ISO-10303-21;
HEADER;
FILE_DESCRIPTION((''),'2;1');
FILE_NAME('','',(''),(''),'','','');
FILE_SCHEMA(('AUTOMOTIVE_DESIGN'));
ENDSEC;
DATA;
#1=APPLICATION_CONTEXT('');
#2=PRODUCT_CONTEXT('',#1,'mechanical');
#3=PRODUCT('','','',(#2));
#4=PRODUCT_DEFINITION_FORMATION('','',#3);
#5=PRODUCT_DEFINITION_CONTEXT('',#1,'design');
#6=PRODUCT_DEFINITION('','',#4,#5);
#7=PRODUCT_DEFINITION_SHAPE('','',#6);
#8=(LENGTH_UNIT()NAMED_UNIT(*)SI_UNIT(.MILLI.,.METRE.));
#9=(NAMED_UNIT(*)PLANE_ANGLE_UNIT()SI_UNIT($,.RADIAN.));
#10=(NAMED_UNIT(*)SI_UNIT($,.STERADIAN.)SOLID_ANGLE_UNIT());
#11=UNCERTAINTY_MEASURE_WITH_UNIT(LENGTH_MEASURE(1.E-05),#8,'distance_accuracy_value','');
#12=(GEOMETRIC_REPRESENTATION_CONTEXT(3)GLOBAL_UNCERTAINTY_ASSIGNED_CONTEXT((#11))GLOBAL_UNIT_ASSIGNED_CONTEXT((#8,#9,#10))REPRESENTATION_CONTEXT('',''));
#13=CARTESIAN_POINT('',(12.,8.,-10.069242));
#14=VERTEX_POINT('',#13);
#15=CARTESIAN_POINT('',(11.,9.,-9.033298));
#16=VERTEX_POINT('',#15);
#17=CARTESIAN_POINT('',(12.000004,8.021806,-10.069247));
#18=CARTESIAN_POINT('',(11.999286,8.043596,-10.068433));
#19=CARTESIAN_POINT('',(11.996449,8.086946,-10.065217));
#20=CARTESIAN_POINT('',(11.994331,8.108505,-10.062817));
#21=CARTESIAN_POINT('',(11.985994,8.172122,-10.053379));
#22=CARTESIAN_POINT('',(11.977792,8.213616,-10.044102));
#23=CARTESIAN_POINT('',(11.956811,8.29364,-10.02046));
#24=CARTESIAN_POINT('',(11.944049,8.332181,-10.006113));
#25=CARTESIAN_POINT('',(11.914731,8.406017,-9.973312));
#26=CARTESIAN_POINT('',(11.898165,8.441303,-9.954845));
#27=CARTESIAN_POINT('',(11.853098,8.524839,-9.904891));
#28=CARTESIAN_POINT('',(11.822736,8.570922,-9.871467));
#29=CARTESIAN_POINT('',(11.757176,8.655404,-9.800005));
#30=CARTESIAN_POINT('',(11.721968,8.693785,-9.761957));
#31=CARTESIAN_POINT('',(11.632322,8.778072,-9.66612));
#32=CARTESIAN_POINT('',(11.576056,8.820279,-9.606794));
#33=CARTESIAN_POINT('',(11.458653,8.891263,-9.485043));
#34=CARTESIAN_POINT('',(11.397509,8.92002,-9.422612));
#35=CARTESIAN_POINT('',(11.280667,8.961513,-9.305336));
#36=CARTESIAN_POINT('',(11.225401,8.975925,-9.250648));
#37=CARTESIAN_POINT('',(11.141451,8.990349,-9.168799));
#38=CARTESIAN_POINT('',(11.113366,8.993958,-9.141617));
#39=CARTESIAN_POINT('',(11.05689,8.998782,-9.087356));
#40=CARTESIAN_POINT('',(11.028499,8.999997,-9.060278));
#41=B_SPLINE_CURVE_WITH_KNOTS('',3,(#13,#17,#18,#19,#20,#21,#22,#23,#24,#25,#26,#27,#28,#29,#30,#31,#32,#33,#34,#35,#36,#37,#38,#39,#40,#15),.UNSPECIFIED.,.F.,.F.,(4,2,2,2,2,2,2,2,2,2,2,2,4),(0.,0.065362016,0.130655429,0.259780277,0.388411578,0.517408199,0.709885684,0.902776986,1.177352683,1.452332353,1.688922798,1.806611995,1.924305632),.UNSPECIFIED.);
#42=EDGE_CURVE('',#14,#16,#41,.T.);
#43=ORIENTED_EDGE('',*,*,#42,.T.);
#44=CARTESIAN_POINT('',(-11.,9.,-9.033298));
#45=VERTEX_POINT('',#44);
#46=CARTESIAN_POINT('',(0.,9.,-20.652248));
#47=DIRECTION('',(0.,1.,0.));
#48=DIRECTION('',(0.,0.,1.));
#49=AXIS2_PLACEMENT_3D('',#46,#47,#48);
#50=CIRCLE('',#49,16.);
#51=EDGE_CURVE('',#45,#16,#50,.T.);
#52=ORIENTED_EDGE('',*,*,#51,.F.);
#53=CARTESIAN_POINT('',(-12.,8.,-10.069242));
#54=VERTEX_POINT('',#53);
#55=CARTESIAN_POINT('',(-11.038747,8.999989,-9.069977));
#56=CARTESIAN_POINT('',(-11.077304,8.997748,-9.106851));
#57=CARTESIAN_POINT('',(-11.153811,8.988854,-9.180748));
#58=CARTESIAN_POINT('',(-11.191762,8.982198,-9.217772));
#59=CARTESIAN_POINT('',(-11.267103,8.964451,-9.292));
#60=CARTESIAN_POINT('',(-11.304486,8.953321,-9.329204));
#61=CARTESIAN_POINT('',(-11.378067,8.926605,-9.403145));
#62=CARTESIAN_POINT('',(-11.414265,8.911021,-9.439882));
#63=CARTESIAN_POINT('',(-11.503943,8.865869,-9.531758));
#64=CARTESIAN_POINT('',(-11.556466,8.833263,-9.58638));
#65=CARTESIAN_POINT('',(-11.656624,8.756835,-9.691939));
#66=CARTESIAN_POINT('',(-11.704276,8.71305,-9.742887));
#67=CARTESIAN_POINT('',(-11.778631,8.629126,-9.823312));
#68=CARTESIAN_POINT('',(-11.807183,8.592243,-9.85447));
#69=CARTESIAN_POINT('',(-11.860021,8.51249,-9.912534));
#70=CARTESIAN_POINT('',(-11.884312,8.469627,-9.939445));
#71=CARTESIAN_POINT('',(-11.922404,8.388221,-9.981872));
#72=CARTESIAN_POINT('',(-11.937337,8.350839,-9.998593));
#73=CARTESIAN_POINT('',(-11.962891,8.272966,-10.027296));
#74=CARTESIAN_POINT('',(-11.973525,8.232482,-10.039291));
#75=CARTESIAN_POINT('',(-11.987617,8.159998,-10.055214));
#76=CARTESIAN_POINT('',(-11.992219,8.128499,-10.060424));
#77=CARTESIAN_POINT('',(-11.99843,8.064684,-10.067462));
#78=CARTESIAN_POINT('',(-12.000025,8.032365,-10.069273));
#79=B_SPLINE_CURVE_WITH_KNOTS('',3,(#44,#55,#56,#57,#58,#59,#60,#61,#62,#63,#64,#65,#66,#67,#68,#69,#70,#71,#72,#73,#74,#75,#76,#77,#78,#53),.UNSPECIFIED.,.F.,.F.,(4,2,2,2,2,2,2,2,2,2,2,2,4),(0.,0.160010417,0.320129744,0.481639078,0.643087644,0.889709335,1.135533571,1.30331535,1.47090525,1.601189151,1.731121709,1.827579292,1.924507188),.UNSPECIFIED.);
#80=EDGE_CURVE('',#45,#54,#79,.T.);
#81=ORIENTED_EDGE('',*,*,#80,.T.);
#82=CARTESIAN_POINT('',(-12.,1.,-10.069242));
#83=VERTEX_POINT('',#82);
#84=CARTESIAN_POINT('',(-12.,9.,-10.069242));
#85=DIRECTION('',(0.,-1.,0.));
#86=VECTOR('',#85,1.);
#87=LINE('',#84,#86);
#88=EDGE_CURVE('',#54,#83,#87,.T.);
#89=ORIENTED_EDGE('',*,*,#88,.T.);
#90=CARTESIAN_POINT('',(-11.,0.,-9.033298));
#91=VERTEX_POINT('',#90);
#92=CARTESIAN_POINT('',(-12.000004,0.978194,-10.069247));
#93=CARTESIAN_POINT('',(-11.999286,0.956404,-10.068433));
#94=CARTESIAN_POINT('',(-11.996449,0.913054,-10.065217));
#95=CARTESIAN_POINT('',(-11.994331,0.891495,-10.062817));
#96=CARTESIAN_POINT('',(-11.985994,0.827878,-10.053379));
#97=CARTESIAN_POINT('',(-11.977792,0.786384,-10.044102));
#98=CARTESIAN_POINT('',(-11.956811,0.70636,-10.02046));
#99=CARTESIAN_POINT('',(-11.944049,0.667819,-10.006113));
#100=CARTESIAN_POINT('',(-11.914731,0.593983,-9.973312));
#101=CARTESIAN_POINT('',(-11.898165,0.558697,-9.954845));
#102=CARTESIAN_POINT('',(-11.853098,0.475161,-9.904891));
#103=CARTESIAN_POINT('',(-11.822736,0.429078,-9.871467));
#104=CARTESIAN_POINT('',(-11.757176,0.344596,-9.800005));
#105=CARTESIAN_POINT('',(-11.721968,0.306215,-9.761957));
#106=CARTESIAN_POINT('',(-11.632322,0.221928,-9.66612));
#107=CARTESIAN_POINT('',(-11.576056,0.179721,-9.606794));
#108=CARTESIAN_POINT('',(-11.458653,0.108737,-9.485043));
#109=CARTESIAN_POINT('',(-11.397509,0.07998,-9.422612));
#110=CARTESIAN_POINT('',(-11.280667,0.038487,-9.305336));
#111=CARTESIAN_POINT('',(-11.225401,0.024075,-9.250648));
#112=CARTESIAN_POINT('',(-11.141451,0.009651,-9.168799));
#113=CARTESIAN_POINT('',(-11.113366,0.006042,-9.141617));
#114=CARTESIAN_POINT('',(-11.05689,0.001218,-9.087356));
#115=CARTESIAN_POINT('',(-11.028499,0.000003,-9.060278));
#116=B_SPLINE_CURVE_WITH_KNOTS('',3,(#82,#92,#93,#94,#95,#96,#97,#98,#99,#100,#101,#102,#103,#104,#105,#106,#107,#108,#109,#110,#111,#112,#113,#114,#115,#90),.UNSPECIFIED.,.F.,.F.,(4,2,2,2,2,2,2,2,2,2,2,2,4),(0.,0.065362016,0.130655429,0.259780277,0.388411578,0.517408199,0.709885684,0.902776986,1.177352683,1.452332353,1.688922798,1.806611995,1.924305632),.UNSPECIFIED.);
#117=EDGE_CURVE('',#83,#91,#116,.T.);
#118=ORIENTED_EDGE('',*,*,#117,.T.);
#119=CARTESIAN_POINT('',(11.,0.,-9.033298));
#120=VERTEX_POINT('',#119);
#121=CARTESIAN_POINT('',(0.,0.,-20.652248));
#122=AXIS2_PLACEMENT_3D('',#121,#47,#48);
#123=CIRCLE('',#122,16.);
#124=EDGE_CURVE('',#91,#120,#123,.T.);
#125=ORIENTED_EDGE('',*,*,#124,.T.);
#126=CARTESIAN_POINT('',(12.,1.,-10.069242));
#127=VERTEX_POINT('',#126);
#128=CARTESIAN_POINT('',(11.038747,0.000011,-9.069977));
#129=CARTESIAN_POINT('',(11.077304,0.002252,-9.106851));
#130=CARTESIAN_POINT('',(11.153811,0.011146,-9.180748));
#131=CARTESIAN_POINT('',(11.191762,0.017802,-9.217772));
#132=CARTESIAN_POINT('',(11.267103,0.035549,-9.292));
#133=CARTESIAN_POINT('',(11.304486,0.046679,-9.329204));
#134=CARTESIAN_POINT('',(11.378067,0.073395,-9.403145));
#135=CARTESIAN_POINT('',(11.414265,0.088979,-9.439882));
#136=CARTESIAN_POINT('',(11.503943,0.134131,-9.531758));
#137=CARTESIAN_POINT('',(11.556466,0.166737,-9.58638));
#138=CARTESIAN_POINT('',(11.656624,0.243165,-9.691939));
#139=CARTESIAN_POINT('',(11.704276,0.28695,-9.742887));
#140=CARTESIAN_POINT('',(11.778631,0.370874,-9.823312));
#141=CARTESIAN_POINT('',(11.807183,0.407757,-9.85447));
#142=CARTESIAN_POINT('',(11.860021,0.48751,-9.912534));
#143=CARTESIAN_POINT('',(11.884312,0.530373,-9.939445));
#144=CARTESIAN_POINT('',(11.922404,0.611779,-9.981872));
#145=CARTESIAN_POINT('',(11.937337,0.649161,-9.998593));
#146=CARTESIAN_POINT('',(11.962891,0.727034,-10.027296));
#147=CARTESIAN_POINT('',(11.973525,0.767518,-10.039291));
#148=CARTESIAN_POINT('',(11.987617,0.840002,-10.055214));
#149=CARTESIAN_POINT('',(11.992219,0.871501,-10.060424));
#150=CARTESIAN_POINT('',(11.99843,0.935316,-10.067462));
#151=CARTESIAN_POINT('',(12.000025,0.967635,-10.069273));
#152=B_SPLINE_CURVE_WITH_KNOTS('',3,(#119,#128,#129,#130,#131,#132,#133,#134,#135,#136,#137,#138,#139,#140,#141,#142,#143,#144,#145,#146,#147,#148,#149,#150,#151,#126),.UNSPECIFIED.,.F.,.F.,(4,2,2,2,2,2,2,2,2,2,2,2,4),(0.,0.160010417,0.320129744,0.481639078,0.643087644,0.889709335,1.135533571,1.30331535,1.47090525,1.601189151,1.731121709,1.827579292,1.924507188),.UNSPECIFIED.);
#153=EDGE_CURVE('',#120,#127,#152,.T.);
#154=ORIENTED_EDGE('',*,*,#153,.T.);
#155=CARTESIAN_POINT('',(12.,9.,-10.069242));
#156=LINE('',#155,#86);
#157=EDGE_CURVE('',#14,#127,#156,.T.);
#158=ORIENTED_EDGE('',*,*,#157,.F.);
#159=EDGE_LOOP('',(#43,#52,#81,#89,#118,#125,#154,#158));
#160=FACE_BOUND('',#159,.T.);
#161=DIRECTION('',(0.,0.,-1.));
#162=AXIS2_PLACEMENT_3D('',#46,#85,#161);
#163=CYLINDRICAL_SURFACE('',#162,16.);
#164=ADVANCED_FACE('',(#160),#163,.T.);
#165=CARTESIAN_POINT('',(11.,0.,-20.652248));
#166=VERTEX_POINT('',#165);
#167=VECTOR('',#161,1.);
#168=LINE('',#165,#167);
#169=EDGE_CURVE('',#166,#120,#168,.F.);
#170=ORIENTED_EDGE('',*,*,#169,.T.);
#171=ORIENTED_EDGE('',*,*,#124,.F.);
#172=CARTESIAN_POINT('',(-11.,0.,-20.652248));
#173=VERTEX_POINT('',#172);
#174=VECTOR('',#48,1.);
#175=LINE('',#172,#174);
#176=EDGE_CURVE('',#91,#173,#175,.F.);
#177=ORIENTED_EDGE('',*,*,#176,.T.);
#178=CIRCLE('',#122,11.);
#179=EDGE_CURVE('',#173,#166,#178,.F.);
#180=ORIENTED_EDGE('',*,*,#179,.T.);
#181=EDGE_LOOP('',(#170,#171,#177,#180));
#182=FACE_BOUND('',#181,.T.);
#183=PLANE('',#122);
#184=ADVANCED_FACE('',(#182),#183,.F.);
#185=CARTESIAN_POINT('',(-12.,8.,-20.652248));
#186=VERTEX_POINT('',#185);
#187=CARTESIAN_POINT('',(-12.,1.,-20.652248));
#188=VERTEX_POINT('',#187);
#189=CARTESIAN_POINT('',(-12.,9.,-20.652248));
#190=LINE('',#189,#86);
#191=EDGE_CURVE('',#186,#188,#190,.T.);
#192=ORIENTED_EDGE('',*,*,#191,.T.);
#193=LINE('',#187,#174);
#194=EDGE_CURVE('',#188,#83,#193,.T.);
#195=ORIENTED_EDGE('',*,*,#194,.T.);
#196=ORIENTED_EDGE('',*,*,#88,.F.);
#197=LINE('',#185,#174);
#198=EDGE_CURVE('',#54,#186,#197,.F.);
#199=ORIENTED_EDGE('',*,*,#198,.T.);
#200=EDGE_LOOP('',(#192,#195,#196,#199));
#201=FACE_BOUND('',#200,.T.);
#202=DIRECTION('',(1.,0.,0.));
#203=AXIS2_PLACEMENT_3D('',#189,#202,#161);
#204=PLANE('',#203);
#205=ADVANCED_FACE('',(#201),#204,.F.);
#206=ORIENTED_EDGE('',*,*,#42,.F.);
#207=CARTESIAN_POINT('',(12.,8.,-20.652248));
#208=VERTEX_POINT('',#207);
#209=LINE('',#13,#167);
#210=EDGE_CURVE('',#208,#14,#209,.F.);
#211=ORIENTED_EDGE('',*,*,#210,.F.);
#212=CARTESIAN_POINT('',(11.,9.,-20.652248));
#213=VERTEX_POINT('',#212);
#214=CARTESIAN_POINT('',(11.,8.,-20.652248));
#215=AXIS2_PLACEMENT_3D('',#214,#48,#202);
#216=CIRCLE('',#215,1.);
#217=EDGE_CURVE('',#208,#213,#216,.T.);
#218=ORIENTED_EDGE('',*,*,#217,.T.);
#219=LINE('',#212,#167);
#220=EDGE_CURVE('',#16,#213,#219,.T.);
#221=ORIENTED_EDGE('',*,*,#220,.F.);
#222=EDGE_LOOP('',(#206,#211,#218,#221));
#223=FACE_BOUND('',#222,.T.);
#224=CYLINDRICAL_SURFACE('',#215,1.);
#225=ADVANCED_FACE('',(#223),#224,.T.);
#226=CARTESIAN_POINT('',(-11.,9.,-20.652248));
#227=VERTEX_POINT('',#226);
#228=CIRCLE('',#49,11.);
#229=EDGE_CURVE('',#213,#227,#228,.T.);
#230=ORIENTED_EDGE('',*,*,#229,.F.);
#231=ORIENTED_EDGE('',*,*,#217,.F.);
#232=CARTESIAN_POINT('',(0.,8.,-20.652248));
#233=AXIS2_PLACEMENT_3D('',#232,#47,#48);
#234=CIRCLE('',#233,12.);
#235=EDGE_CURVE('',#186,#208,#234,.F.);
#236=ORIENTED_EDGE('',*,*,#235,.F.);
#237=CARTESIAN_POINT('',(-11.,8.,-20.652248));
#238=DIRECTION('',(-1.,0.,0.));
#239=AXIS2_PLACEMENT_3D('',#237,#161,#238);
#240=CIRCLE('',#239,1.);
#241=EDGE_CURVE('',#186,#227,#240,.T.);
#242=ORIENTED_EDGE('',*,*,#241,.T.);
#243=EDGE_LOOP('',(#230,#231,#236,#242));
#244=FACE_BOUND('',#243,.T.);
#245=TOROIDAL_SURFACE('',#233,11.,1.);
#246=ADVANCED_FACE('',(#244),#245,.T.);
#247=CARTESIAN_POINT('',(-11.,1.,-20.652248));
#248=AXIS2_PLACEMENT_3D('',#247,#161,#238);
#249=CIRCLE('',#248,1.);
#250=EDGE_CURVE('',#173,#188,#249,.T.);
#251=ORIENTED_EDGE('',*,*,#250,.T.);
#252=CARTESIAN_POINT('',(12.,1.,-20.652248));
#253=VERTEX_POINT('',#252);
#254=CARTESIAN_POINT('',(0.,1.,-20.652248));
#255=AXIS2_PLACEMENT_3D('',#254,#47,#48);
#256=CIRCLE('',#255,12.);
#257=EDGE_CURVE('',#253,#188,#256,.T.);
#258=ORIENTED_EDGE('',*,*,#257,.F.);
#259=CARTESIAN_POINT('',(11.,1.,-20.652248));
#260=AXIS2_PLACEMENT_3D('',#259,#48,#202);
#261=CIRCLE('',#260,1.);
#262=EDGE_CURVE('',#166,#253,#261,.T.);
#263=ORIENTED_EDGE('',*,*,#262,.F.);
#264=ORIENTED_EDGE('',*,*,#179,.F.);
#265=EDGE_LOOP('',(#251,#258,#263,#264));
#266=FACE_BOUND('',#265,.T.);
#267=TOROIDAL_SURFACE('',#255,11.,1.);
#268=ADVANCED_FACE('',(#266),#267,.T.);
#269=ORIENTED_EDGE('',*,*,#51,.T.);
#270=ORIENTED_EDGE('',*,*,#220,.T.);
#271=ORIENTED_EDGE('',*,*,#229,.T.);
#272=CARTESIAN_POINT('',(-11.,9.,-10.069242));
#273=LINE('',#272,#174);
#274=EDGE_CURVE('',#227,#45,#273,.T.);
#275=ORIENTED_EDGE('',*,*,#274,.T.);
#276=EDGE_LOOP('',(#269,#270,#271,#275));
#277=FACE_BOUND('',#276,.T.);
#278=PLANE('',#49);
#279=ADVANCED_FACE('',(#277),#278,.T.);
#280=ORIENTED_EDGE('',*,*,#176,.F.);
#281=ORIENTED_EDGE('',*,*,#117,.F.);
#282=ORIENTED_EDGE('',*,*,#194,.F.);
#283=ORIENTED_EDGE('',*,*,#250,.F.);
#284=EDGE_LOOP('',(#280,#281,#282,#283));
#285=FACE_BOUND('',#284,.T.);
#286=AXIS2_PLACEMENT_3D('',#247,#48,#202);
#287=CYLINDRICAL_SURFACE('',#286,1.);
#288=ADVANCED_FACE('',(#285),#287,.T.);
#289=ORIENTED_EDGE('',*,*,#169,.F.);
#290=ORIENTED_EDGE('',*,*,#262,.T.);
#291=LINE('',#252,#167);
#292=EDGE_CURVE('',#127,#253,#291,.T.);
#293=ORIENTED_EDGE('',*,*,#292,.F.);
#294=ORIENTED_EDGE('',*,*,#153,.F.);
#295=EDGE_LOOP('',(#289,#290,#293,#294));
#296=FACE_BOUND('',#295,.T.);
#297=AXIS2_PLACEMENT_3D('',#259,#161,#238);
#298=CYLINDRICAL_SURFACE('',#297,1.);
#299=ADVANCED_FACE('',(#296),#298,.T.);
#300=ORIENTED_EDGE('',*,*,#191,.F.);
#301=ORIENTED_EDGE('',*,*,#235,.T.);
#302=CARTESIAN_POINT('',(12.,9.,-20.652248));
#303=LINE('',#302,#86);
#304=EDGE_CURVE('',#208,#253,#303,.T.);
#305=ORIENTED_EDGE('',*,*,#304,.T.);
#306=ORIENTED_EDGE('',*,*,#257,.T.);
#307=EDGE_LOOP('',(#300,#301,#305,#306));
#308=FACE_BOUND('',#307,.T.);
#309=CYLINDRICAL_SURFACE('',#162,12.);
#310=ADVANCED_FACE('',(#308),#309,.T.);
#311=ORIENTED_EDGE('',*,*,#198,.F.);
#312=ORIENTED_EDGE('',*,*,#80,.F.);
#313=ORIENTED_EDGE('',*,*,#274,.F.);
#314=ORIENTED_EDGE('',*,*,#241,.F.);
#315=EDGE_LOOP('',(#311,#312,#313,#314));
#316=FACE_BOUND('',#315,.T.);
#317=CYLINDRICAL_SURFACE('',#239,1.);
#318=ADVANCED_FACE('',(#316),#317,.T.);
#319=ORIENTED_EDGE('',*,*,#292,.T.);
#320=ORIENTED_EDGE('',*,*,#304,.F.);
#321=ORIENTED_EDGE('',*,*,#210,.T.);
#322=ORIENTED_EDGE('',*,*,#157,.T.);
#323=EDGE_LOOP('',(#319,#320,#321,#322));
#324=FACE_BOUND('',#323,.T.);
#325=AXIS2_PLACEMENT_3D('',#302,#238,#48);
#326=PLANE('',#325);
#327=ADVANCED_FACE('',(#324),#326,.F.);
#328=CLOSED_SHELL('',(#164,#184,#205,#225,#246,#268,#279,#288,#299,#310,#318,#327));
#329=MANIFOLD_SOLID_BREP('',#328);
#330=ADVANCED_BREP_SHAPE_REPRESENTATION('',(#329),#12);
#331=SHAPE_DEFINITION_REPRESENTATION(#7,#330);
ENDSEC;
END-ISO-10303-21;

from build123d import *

# Parameters (mm, degrees)
BOSS_EXTRUDE1_DEPTH = 9
FILLET1_R           = 1


with BuildPart() as part:
    # Sketch1 → Boss-Extrude1 (new body)
    with BuildSketch(Plane(origin=(0, 0, 0), x_dir=(1, 0, 0), z_dir=(0, 1, 0))):
        with BuildLine():
            Line((-12, 20.652247549), (-12, 10.069242304))
            ThreePointArc((-12, 10.069242304), (0, 4.652247549), (12, 10.069242304))
            Line((12, 10.069242304), (12, 20.652247549))
            ThreePointArc((12, 20.652247549), (0, 32.652247549), (-12, 20.652247549))
        make_face()
    extrude(amount=BOSS_EXTRUDE1_DEPTH)

    # Fillet1
    fillet1_edges = [part.edges().sort_by_distance(p)[0] for p in [
        (12, 9, -15.360744926),
        (0, 9, -32.652247549),
        (12, 0, -15.360744926),
        (-12, 0, -15.360744926),
        (0, 0, -32.652247549),
        (-12, 9, -15.360744926),
    ]]
    fillet(fillet1_edges, radius=FILLET1_R)


solid = part.part
